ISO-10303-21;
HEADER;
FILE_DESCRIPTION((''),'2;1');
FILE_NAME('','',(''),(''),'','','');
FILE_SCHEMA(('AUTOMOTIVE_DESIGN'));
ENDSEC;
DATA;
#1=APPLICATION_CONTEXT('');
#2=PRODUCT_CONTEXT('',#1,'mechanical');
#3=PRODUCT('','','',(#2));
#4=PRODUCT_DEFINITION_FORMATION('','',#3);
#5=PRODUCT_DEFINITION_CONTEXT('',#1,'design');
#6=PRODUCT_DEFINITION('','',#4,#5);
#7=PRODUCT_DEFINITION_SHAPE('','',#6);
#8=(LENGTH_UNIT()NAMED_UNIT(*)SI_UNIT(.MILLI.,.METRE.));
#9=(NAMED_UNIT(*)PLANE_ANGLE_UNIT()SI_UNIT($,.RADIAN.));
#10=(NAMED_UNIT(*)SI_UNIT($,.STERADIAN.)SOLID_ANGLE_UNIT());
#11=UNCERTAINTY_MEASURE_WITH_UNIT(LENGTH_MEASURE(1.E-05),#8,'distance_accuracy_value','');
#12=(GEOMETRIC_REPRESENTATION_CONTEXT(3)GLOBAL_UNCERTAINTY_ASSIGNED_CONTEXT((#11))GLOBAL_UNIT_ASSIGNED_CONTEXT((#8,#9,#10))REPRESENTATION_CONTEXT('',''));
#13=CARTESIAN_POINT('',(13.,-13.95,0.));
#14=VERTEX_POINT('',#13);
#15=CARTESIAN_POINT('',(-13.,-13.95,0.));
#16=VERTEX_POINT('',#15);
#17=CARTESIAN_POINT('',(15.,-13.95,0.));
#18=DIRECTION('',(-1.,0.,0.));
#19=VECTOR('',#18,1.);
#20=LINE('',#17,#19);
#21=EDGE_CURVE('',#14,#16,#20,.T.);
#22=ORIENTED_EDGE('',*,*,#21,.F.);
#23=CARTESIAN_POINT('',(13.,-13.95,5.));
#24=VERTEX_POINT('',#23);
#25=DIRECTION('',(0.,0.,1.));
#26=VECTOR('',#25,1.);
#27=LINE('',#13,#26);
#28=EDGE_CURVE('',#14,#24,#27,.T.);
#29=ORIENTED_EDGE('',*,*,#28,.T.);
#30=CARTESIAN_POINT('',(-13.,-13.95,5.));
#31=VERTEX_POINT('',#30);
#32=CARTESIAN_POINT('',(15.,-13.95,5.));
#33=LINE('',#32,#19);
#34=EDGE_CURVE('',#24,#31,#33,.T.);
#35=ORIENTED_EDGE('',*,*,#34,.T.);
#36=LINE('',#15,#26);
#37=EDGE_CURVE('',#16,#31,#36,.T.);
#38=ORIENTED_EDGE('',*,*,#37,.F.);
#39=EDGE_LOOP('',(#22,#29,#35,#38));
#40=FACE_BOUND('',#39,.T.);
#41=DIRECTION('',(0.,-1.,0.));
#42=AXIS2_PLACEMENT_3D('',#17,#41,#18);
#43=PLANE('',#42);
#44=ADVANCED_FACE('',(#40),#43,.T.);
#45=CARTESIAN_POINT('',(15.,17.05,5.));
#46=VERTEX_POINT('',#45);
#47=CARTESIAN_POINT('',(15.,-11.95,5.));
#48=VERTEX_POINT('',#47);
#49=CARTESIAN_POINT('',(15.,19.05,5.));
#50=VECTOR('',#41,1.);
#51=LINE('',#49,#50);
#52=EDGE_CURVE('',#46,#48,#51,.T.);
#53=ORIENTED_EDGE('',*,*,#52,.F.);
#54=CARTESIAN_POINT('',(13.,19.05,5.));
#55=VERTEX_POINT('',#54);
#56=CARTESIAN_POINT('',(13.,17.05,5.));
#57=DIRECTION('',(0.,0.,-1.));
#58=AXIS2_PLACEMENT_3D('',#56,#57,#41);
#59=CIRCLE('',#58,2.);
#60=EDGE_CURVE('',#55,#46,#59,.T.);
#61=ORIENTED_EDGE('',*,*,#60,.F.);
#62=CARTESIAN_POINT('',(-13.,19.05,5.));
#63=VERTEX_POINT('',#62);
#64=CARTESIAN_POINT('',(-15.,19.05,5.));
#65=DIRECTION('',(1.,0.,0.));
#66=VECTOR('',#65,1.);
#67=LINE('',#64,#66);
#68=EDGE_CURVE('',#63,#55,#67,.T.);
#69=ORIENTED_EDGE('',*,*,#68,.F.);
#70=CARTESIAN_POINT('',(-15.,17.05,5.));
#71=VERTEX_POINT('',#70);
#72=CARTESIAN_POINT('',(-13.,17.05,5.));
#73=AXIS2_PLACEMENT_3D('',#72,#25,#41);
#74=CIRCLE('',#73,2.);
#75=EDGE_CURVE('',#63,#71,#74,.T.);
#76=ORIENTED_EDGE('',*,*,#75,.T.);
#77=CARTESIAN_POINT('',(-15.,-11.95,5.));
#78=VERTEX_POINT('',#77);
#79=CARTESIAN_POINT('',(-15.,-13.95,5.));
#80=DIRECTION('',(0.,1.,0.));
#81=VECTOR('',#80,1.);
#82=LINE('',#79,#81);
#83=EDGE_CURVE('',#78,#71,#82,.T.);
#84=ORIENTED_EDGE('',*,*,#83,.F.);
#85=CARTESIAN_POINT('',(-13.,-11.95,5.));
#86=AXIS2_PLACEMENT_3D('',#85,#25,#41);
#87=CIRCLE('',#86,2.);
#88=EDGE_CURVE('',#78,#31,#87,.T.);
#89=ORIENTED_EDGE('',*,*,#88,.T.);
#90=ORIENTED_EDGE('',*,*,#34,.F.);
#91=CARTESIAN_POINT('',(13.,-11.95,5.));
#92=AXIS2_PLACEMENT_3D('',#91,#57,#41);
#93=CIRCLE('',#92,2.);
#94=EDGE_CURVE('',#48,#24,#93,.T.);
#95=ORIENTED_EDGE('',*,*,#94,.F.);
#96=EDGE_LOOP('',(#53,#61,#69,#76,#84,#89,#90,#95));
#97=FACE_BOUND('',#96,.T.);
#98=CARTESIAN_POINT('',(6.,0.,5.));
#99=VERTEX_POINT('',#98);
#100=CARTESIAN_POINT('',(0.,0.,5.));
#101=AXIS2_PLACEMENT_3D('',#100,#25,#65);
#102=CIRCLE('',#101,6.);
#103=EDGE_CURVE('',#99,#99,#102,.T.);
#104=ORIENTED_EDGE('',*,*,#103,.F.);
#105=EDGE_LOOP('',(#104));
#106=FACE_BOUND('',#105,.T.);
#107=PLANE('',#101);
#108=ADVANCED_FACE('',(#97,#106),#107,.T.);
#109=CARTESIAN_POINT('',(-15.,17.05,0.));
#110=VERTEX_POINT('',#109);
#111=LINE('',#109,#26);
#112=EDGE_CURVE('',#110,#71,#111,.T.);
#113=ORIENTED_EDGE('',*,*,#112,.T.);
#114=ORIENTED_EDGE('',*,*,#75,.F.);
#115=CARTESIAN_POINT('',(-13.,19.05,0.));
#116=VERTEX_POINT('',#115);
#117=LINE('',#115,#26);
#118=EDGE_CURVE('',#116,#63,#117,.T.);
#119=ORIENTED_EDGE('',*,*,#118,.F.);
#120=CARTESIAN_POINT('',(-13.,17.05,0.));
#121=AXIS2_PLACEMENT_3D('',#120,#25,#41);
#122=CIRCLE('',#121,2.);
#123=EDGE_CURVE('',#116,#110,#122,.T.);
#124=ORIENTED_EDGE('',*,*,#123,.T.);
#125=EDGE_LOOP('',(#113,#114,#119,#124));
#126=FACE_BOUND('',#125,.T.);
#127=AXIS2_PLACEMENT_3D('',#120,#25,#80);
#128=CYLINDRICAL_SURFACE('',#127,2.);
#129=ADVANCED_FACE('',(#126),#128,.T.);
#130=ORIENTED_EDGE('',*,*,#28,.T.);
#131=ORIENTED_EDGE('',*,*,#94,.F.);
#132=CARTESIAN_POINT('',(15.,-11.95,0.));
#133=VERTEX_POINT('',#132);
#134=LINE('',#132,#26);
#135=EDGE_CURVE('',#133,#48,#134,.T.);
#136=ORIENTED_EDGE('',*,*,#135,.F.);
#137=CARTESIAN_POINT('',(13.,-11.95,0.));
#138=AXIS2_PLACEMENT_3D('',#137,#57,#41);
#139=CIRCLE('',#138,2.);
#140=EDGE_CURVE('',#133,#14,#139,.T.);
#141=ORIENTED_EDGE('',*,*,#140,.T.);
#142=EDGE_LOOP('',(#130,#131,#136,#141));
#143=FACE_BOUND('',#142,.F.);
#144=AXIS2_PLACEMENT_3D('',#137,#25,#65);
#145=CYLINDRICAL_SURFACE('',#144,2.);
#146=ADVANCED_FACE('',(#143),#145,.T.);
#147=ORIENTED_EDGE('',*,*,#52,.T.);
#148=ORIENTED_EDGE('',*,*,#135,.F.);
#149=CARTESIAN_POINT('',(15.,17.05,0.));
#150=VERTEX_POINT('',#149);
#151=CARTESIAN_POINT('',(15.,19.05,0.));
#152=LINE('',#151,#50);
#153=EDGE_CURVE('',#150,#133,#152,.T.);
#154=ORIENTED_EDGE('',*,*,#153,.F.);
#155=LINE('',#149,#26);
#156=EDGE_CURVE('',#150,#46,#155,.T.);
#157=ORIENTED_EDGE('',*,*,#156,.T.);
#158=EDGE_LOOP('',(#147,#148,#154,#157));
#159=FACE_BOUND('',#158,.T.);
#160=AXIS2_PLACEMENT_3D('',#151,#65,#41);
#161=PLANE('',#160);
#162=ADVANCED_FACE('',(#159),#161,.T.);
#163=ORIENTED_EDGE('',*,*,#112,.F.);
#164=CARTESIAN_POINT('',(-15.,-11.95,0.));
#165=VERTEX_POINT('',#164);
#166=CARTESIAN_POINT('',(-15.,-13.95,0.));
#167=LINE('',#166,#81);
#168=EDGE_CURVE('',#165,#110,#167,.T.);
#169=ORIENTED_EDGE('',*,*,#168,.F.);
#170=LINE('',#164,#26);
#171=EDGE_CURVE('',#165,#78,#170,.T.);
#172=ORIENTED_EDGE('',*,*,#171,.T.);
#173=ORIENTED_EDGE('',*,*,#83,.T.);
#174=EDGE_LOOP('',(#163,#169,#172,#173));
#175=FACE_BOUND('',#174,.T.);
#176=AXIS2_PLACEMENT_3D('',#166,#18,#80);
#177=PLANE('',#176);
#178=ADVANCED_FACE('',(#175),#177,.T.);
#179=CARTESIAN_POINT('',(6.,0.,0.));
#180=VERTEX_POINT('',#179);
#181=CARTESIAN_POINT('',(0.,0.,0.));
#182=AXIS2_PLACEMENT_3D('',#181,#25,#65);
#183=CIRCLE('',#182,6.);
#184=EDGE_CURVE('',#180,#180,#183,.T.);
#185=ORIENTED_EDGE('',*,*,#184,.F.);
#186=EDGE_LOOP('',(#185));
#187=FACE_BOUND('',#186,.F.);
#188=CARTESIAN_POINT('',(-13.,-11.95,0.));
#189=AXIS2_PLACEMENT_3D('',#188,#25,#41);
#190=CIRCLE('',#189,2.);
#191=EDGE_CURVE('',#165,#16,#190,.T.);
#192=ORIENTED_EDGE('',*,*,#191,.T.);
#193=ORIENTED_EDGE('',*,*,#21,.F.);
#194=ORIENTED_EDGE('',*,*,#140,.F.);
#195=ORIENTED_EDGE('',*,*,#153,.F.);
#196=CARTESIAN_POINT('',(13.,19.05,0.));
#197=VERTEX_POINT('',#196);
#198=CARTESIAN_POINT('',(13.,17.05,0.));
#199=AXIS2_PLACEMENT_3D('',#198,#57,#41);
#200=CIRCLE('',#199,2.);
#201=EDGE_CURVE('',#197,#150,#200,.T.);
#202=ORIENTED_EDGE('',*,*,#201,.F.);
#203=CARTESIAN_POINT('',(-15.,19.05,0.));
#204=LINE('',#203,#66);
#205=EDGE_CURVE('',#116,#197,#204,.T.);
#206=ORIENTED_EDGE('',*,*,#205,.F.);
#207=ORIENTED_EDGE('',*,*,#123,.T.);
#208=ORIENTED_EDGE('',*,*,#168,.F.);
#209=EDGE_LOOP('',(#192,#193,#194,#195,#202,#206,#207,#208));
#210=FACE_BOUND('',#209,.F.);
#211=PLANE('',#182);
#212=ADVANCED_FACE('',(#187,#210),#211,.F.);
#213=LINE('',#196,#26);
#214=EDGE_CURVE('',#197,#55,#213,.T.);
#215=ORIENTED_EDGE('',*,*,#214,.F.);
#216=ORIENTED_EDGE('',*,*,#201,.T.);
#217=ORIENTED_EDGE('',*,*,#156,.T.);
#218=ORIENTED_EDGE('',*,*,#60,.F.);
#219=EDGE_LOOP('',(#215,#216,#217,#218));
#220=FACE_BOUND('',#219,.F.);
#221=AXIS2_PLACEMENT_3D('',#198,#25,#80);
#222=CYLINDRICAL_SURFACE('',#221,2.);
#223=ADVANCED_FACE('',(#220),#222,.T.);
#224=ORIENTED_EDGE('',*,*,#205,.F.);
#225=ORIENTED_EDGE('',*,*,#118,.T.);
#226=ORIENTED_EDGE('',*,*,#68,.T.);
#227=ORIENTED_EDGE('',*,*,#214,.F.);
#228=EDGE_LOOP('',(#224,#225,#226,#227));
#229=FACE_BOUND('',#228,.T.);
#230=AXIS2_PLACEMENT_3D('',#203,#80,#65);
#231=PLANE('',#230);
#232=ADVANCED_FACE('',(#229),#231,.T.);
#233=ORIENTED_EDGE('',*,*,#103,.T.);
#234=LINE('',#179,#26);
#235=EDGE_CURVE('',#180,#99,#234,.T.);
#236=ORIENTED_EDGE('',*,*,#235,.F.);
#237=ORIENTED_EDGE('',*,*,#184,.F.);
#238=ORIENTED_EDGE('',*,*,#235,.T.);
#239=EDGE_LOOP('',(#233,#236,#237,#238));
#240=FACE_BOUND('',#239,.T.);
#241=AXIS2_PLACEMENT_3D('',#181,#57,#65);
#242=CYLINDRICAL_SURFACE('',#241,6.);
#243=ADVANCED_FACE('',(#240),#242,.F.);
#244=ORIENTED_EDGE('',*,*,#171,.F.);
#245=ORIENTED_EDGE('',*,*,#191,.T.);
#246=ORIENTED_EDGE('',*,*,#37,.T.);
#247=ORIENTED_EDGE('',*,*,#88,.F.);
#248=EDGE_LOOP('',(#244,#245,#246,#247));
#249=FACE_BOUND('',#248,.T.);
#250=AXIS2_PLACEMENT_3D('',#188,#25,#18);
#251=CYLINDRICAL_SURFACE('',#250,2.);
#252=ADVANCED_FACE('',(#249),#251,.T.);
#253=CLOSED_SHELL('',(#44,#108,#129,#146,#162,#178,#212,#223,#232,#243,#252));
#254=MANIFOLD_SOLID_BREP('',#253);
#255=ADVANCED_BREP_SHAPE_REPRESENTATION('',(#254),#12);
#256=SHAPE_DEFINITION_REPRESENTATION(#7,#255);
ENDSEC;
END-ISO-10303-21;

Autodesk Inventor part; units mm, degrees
ref_plane "YZ Plane" through (0, 0, 0) normal (1, 0, 0) x (0, 1, 0)
ref_plane "XZ Plane" through (0, 0, 0) normal (0, 1, 0) x (-1, 0, 0)
ref_plane "XY Plane" through (0, 0, 0) normal (0, 0, 1) x (1, 0, 0)
sketch "スケッチ1" plane through (0, 0, 0) normal (0, 0, 1) x (1, 0, 0)
  line L0 (-15, 19.05) -> (15, 19.05)
  line L1 (15, 19.05) -> (15, -13.95)
  line L2 (15, -13.95) -> (-15, -13.95)
  line L3 (-15, -13.95) -> (-15, 19.05)
  point P0 (0, 0)
  dimension "d0" = 30
  dimension "d1" = 33
  dimension "d2" = 19.05
  dimension "d3" = 15
extrude "押し出し1" add sketch "スケッチ1" along normal blind 5
sketch "スケッチ2" plane through (0, 0, 0) normal (0, 0, 1) x (1, 0, 0)
  circle A0 centre (0, 0) radius 6
  dimension "d6" = 12
extrude "押し出し2" cut sketch "スケッチ2" along normal blind 5
fillet "フィレット1" radius 2 4 edges at (15, 19.05, 2.5) (15, -13.95, 2.5) (-15, -13.95, 2.5) (-15, 19.05, 2.5)
properties part number "HbSensorCushion01" material "ゴム"
